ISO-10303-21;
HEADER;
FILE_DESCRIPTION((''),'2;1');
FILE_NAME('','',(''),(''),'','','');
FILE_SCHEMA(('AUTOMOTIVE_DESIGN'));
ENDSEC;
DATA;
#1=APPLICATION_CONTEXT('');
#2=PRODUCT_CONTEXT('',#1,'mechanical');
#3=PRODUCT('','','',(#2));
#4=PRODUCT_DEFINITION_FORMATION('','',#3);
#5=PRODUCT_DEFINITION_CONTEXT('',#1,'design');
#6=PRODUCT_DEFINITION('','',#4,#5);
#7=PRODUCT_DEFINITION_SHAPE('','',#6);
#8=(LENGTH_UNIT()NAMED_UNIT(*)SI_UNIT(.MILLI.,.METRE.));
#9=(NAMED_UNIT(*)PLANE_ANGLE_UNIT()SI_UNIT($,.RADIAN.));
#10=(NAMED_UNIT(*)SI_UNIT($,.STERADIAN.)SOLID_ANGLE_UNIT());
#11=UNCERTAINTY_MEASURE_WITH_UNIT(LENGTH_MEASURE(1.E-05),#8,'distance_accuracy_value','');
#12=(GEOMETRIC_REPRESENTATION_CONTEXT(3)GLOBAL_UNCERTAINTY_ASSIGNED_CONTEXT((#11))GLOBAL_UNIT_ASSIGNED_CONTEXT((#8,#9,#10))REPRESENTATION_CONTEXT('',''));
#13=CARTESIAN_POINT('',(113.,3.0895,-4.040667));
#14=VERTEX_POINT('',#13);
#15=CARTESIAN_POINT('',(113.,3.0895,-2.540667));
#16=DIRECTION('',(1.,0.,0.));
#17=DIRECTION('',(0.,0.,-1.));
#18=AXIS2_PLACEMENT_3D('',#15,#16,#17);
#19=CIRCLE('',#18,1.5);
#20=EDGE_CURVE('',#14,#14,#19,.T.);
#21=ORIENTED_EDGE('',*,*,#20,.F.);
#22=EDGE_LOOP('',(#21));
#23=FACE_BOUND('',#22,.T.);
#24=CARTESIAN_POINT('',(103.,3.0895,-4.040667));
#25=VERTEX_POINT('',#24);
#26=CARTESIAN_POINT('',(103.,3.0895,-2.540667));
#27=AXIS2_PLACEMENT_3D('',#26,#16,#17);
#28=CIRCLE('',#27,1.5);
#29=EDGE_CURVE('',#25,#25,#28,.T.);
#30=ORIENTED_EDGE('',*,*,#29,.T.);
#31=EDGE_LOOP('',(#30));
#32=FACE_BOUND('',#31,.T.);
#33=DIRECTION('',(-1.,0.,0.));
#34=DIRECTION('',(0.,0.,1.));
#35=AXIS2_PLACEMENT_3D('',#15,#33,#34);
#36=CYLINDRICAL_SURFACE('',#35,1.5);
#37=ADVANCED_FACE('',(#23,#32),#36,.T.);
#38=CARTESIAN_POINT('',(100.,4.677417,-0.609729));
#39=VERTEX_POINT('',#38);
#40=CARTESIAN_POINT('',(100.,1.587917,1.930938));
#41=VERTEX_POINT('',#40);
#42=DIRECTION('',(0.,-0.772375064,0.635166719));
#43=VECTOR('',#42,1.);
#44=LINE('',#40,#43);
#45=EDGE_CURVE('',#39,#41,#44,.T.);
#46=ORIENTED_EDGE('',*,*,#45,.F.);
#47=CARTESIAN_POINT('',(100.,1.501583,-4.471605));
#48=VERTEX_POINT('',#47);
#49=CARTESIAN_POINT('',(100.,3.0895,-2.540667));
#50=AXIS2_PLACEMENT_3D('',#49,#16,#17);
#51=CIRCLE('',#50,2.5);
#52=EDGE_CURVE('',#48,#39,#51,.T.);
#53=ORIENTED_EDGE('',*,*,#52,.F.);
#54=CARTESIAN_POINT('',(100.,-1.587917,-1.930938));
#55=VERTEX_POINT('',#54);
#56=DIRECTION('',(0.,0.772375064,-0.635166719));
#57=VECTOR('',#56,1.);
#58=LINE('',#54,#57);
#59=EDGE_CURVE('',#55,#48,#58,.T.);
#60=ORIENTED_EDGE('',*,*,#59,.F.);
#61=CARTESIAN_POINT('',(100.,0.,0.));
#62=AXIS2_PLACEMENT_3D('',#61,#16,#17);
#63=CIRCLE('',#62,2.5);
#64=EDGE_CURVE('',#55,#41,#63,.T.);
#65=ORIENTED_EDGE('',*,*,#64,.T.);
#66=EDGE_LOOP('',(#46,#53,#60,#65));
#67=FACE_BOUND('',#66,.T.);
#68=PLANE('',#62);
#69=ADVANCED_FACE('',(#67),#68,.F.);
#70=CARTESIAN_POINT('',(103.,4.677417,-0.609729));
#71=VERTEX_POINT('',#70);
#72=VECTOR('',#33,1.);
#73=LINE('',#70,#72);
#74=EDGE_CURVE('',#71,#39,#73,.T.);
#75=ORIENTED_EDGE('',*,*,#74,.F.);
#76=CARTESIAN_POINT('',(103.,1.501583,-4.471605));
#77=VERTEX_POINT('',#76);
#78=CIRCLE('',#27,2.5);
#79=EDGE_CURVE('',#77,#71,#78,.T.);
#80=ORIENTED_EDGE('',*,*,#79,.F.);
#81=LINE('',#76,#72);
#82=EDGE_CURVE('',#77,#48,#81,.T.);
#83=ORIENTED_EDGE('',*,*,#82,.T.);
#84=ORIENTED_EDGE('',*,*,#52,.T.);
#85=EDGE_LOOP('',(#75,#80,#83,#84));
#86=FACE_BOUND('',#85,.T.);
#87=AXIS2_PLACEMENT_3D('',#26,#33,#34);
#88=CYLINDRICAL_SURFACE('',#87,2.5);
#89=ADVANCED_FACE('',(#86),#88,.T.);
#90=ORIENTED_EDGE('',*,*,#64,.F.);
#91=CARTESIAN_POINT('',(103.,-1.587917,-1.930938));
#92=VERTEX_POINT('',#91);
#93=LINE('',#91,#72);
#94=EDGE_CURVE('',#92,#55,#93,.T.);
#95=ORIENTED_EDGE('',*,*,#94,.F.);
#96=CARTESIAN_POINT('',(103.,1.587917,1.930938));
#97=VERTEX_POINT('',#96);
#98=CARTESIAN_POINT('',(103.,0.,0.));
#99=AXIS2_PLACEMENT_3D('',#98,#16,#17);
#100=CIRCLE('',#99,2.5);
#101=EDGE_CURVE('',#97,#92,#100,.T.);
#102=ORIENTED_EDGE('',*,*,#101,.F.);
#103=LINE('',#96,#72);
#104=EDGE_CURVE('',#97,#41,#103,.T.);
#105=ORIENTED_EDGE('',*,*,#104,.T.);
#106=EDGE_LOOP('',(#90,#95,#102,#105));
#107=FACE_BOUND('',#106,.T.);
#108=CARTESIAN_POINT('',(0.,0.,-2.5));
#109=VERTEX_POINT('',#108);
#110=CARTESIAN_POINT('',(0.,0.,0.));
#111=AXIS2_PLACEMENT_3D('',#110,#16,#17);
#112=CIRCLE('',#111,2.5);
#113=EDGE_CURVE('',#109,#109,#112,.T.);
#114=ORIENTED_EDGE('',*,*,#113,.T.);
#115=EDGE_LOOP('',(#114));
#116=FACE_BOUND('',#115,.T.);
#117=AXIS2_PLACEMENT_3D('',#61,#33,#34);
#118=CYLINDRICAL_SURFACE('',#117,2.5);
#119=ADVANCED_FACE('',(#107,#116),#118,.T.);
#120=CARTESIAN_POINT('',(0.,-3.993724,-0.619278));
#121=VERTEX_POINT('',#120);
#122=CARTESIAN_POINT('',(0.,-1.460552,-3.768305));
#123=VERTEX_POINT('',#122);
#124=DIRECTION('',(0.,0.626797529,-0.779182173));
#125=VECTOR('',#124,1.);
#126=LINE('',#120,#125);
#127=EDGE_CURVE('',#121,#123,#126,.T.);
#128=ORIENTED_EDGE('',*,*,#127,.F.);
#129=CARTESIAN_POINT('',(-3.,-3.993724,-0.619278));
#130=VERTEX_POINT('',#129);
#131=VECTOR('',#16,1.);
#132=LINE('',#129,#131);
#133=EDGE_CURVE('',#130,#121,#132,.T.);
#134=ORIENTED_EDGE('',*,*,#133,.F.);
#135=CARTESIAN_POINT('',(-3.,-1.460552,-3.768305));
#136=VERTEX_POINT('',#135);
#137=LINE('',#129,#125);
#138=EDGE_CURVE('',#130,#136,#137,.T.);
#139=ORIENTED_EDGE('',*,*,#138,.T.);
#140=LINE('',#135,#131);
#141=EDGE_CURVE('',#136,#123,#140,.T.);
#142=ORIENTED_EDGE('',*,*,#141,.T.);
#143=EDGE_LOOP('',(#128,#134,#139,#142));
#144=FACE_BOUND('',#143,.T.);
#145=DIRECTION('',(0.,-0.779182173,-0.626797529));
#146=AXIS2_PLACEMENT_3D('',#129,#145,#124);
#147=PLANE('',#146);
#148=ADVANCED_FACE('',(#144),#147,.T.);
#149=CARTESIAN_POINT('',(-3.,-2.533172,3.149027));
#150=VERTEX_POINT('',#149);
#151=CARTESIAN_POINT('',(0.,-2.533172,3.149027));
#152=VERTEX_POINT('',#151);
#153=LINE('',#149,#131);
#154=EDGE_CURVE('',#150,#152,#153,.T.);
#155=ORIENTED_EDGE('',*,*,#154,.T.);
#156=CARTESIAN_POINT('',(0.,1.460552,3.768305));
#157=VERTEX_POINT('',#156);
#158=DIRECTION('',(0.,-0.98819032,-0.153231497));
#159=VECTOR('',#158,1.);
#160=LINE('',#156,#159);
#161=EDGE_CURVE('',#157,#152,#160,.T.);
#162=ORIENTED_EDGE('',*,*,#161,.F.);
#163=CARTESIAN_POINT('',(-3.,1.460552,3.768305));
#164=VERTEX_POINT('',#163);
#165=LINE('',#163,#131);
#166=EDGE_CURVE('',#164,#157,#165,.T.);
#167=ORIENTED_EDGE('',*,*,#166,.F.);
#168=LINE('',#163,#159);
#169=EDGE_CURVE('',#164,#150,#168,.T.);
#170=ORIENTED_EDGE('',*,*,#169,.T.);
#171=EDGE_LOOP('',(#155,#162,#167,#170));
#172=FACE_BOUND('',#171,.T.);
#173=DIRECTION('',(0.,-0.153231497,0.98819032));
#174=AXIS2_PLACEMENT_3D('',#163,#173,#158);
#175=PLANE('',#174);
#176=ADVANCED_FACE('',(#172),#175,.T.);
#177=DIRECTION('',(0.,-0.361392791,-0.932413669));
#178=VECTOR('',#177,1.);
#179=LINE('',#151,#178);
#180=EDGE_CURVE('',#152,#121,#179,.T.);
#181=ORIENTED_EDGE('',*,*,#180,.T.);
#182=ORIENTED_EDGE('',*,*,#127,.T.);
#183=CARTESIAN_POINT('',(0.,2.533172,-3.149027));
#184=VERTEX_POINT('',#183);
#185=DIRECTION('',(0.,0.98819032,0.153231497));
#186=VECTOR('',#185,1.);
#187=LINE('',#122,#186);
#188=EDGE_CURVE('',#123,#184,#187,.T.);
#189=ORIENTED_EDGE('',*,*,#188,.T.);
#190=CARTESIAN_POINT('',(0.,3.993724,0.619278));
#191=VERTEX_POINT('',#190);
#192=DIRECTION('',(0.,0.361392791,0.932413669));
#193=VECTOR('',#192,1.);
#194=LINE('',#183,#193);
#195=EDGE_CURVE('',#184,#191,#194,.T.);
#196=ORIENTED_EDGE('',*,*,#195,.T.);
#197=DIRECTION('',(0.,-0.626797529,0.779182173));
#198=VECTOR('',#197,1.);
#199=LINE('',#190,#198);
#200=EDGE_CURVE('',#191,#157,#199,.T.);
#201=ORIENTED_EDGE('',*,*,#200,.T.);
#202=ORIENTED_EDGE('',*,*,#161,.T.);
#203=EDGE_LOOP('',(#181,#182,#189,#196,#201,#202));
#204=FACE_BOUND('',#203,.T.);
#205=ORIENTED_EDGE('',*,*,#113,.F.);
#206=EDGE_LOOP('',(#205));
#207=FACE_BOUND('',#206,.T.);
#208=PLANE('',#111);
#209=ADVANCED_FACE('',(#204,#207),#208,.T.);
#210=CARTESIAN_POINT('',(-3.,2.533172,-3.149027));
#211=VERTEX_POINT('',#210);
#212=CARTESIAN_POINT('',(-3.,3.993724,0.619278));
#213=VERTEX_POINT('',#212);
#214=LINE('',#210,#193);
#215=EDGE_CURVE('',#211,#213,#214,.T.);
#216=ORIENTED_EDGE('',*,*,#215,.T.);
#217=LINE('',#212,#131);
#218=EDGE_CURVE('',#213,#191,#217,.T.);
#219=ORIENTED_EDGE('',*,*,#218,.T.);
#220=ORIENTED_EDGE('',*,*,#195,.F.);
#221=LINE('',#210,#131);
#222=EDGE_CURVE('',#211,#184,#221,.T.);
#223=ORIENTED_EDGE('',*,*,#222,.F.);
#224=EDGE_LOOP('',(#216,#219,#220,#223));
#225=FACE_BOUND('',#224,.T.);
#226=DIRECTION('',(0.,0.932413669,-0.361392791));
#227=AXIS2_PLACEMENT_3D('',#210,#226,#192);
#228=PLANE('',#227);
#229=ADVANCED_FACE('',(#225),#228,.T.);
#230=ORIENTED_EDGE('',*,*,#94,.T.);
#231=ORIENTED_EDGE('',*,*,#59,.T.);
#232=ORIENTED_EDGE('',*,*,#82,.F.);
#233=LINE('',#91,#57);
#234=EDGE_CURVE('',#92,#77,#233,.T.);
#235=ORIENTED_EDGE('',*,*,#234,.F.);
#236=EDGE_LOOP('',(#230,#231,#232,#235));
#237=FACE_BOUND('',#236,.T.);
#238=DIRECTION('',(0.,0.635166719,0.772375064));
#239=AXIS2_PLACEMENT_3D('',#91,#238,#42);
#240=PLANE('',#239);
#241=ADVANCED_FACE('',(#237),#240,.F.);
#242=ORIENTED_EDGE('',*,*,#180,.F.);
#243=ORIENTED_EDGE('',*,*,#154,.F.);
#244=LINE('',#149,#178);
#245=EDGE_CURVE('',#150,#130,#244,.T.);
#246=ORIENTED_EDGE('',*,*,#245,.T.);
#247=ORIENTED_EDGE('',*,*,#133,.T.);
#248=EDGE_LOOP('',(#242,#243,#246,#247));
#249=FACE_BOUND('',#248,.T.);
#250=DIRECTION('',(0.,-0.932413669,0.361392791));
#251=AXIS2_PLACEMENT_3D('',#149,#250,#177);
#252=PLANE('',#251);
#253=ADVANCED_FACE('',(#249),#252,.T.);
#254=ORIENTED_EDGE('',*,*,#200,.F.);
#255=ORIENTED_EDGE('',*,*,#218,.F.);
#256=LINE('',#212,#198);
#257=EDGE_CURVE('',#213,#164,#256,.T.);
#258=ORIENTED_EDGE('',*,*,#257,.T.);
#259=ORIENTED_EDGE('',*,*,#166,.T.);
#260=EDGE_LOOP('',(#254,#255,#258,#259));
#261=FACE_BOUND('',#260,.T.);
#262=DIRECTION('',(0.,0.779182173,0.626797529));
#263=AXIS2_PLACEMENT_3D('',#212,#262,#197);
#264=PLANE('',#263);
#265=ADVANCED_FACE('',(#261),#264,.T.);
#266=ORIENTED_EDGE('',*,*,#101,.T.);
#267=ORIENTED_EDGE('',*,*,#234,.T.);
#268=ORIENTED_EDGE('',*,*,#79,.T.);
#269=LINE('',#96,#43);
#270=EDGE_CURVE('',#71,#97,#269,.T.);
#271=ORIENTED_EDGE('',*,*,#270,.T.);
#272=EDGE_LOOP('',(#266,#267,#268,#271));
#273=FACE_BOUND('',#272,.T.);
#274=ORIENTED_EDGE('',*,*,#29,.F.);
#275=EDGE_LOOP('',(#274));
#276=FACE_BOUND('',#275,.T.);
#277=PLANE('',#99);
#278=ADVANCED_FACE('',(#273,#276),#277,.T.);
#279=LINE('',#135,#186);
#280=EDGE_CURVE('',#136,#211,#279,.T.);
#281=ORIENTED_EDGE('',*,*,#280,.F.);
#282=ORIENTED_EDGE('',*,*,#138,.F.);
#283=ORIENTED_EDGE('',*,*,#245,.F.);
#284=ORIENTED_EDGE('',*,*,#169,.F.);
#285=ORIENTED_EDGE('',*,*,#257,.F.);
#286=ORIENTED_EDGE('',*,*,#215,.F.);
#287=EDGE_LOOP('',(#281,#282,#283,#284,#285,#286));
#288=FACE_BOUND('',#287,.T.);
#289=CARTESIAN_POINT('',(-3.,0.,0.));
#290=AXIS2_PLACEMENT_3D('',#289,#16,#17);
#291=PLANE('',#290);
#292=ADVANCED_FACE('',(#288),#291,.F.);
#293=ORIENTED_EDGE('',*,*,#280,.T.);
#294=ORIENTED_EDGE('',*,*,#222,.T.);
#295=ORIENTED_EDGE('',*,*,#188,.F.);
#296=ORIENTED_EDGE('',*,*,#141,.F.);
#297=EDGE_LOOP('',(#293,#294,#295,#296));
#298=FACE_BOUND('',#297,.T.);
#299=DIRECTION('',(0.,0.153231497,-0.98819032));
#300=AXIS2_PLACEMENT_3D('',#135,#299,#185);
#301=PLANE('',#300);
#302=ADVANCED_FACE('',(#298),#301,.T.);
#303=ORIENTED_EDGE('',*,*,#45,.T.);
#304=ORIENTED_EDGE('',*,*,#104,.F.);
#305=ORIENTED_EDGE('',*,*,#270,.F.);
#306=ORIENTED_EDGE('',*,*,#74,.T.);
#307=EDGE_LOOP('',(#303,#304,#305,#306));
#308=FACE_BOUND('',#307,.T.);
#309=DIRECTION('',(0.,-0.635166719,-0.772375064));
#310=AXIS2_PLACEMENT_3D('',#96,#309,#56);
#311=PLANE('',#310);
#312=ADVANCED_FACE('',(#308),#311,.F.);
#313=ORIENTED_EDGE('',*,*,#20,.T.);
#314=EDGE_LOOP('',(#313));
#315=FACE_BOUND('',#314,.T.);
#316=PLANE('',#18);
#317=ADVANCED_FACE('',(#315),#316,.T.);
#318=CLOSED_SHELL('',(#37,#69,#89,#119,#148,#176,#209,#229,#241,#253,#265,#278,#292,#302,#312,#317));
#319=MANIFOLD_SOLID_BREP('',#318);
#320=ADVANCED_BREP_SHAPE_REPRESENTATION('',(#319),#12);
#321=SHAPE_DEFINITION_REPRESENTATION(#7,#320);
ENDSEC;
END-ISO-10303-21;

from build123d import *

# Parameters (mm, degrees)
SKETCH_1_R      = 2.5
EXTRUDE_1_DEPTH = 100
EXTRUDE_2_DEPTH = 3
SKETCH_3_R      = 1.5
EXTRUDE_3_DEPTH = 10
EXTRUDE_4_DEPTH = 3


with BuildPart() as part:
    # 草圖1 → 填料-伸長1 (new body)
    with BuildSketch(Plane(origin=(0, 0, 0), x_dir=(0, 0, -1), z_dir=(1, 0, 0))):
        Circle(SKETCH_1_R)
    extrude(amount=EXTRUDE_1_DEPTH)

    # 草圖2 → 填料-伸長2 (add)
    with BuildSketch(Plane(origin=(100, 0, 0), x_dir=(0, 0, -1), z_dir=(1, 0, 0))):
        with BuildLine():
            Line((-1.930937659, 1.587916798), (0.609729217, 4.677417052))
            ThreePointArc((0.609729217, 4.677417052), (4.128583674, 5.020437914), (4.471604535, 1.501583457))
            Line((4.471604535, 1.501583457), (1.930937659, -1.587916798))
            ThreePointArc((1.930937659, -1.587916798), (-1.587916798, -1.930937659), (-1.930937659, 1.587916798))
        make_face()
    extrude(amount=EXTRUDE_2_DEPTH)

    # 草圖3 → 填料-伸長3 (add)
    with BuildSketch(Plane(origin=(103, 0, 0), x_dir=(0, 0, -1), z_dir=(1, 0, 0))):
        with Locations((2.540666876, 3.089500255)):
            Circle(SKETCH_3_R)
    extrude(amount=EXTRUDE_3_DEPTH)

    # 草圖4 → 填料-伸長4 (add)
    with BuildSketch(Plane(origin=(0, 0, 0), x_dir=(0, 0, -1), z_dir=(1, 0, 0))):
        Polygon((-3.149027259, -2.533172054), (0.619277721, -3.993723631), (3.76830498, -1.460551577), (3.149027259, 2.533172054), (-0.619277721, 3.993723631), (-3.76830498, 1.460551577), align=None)
    extrude(amount=-EXTRUDE_4_DEPTH)


solid = part.part
